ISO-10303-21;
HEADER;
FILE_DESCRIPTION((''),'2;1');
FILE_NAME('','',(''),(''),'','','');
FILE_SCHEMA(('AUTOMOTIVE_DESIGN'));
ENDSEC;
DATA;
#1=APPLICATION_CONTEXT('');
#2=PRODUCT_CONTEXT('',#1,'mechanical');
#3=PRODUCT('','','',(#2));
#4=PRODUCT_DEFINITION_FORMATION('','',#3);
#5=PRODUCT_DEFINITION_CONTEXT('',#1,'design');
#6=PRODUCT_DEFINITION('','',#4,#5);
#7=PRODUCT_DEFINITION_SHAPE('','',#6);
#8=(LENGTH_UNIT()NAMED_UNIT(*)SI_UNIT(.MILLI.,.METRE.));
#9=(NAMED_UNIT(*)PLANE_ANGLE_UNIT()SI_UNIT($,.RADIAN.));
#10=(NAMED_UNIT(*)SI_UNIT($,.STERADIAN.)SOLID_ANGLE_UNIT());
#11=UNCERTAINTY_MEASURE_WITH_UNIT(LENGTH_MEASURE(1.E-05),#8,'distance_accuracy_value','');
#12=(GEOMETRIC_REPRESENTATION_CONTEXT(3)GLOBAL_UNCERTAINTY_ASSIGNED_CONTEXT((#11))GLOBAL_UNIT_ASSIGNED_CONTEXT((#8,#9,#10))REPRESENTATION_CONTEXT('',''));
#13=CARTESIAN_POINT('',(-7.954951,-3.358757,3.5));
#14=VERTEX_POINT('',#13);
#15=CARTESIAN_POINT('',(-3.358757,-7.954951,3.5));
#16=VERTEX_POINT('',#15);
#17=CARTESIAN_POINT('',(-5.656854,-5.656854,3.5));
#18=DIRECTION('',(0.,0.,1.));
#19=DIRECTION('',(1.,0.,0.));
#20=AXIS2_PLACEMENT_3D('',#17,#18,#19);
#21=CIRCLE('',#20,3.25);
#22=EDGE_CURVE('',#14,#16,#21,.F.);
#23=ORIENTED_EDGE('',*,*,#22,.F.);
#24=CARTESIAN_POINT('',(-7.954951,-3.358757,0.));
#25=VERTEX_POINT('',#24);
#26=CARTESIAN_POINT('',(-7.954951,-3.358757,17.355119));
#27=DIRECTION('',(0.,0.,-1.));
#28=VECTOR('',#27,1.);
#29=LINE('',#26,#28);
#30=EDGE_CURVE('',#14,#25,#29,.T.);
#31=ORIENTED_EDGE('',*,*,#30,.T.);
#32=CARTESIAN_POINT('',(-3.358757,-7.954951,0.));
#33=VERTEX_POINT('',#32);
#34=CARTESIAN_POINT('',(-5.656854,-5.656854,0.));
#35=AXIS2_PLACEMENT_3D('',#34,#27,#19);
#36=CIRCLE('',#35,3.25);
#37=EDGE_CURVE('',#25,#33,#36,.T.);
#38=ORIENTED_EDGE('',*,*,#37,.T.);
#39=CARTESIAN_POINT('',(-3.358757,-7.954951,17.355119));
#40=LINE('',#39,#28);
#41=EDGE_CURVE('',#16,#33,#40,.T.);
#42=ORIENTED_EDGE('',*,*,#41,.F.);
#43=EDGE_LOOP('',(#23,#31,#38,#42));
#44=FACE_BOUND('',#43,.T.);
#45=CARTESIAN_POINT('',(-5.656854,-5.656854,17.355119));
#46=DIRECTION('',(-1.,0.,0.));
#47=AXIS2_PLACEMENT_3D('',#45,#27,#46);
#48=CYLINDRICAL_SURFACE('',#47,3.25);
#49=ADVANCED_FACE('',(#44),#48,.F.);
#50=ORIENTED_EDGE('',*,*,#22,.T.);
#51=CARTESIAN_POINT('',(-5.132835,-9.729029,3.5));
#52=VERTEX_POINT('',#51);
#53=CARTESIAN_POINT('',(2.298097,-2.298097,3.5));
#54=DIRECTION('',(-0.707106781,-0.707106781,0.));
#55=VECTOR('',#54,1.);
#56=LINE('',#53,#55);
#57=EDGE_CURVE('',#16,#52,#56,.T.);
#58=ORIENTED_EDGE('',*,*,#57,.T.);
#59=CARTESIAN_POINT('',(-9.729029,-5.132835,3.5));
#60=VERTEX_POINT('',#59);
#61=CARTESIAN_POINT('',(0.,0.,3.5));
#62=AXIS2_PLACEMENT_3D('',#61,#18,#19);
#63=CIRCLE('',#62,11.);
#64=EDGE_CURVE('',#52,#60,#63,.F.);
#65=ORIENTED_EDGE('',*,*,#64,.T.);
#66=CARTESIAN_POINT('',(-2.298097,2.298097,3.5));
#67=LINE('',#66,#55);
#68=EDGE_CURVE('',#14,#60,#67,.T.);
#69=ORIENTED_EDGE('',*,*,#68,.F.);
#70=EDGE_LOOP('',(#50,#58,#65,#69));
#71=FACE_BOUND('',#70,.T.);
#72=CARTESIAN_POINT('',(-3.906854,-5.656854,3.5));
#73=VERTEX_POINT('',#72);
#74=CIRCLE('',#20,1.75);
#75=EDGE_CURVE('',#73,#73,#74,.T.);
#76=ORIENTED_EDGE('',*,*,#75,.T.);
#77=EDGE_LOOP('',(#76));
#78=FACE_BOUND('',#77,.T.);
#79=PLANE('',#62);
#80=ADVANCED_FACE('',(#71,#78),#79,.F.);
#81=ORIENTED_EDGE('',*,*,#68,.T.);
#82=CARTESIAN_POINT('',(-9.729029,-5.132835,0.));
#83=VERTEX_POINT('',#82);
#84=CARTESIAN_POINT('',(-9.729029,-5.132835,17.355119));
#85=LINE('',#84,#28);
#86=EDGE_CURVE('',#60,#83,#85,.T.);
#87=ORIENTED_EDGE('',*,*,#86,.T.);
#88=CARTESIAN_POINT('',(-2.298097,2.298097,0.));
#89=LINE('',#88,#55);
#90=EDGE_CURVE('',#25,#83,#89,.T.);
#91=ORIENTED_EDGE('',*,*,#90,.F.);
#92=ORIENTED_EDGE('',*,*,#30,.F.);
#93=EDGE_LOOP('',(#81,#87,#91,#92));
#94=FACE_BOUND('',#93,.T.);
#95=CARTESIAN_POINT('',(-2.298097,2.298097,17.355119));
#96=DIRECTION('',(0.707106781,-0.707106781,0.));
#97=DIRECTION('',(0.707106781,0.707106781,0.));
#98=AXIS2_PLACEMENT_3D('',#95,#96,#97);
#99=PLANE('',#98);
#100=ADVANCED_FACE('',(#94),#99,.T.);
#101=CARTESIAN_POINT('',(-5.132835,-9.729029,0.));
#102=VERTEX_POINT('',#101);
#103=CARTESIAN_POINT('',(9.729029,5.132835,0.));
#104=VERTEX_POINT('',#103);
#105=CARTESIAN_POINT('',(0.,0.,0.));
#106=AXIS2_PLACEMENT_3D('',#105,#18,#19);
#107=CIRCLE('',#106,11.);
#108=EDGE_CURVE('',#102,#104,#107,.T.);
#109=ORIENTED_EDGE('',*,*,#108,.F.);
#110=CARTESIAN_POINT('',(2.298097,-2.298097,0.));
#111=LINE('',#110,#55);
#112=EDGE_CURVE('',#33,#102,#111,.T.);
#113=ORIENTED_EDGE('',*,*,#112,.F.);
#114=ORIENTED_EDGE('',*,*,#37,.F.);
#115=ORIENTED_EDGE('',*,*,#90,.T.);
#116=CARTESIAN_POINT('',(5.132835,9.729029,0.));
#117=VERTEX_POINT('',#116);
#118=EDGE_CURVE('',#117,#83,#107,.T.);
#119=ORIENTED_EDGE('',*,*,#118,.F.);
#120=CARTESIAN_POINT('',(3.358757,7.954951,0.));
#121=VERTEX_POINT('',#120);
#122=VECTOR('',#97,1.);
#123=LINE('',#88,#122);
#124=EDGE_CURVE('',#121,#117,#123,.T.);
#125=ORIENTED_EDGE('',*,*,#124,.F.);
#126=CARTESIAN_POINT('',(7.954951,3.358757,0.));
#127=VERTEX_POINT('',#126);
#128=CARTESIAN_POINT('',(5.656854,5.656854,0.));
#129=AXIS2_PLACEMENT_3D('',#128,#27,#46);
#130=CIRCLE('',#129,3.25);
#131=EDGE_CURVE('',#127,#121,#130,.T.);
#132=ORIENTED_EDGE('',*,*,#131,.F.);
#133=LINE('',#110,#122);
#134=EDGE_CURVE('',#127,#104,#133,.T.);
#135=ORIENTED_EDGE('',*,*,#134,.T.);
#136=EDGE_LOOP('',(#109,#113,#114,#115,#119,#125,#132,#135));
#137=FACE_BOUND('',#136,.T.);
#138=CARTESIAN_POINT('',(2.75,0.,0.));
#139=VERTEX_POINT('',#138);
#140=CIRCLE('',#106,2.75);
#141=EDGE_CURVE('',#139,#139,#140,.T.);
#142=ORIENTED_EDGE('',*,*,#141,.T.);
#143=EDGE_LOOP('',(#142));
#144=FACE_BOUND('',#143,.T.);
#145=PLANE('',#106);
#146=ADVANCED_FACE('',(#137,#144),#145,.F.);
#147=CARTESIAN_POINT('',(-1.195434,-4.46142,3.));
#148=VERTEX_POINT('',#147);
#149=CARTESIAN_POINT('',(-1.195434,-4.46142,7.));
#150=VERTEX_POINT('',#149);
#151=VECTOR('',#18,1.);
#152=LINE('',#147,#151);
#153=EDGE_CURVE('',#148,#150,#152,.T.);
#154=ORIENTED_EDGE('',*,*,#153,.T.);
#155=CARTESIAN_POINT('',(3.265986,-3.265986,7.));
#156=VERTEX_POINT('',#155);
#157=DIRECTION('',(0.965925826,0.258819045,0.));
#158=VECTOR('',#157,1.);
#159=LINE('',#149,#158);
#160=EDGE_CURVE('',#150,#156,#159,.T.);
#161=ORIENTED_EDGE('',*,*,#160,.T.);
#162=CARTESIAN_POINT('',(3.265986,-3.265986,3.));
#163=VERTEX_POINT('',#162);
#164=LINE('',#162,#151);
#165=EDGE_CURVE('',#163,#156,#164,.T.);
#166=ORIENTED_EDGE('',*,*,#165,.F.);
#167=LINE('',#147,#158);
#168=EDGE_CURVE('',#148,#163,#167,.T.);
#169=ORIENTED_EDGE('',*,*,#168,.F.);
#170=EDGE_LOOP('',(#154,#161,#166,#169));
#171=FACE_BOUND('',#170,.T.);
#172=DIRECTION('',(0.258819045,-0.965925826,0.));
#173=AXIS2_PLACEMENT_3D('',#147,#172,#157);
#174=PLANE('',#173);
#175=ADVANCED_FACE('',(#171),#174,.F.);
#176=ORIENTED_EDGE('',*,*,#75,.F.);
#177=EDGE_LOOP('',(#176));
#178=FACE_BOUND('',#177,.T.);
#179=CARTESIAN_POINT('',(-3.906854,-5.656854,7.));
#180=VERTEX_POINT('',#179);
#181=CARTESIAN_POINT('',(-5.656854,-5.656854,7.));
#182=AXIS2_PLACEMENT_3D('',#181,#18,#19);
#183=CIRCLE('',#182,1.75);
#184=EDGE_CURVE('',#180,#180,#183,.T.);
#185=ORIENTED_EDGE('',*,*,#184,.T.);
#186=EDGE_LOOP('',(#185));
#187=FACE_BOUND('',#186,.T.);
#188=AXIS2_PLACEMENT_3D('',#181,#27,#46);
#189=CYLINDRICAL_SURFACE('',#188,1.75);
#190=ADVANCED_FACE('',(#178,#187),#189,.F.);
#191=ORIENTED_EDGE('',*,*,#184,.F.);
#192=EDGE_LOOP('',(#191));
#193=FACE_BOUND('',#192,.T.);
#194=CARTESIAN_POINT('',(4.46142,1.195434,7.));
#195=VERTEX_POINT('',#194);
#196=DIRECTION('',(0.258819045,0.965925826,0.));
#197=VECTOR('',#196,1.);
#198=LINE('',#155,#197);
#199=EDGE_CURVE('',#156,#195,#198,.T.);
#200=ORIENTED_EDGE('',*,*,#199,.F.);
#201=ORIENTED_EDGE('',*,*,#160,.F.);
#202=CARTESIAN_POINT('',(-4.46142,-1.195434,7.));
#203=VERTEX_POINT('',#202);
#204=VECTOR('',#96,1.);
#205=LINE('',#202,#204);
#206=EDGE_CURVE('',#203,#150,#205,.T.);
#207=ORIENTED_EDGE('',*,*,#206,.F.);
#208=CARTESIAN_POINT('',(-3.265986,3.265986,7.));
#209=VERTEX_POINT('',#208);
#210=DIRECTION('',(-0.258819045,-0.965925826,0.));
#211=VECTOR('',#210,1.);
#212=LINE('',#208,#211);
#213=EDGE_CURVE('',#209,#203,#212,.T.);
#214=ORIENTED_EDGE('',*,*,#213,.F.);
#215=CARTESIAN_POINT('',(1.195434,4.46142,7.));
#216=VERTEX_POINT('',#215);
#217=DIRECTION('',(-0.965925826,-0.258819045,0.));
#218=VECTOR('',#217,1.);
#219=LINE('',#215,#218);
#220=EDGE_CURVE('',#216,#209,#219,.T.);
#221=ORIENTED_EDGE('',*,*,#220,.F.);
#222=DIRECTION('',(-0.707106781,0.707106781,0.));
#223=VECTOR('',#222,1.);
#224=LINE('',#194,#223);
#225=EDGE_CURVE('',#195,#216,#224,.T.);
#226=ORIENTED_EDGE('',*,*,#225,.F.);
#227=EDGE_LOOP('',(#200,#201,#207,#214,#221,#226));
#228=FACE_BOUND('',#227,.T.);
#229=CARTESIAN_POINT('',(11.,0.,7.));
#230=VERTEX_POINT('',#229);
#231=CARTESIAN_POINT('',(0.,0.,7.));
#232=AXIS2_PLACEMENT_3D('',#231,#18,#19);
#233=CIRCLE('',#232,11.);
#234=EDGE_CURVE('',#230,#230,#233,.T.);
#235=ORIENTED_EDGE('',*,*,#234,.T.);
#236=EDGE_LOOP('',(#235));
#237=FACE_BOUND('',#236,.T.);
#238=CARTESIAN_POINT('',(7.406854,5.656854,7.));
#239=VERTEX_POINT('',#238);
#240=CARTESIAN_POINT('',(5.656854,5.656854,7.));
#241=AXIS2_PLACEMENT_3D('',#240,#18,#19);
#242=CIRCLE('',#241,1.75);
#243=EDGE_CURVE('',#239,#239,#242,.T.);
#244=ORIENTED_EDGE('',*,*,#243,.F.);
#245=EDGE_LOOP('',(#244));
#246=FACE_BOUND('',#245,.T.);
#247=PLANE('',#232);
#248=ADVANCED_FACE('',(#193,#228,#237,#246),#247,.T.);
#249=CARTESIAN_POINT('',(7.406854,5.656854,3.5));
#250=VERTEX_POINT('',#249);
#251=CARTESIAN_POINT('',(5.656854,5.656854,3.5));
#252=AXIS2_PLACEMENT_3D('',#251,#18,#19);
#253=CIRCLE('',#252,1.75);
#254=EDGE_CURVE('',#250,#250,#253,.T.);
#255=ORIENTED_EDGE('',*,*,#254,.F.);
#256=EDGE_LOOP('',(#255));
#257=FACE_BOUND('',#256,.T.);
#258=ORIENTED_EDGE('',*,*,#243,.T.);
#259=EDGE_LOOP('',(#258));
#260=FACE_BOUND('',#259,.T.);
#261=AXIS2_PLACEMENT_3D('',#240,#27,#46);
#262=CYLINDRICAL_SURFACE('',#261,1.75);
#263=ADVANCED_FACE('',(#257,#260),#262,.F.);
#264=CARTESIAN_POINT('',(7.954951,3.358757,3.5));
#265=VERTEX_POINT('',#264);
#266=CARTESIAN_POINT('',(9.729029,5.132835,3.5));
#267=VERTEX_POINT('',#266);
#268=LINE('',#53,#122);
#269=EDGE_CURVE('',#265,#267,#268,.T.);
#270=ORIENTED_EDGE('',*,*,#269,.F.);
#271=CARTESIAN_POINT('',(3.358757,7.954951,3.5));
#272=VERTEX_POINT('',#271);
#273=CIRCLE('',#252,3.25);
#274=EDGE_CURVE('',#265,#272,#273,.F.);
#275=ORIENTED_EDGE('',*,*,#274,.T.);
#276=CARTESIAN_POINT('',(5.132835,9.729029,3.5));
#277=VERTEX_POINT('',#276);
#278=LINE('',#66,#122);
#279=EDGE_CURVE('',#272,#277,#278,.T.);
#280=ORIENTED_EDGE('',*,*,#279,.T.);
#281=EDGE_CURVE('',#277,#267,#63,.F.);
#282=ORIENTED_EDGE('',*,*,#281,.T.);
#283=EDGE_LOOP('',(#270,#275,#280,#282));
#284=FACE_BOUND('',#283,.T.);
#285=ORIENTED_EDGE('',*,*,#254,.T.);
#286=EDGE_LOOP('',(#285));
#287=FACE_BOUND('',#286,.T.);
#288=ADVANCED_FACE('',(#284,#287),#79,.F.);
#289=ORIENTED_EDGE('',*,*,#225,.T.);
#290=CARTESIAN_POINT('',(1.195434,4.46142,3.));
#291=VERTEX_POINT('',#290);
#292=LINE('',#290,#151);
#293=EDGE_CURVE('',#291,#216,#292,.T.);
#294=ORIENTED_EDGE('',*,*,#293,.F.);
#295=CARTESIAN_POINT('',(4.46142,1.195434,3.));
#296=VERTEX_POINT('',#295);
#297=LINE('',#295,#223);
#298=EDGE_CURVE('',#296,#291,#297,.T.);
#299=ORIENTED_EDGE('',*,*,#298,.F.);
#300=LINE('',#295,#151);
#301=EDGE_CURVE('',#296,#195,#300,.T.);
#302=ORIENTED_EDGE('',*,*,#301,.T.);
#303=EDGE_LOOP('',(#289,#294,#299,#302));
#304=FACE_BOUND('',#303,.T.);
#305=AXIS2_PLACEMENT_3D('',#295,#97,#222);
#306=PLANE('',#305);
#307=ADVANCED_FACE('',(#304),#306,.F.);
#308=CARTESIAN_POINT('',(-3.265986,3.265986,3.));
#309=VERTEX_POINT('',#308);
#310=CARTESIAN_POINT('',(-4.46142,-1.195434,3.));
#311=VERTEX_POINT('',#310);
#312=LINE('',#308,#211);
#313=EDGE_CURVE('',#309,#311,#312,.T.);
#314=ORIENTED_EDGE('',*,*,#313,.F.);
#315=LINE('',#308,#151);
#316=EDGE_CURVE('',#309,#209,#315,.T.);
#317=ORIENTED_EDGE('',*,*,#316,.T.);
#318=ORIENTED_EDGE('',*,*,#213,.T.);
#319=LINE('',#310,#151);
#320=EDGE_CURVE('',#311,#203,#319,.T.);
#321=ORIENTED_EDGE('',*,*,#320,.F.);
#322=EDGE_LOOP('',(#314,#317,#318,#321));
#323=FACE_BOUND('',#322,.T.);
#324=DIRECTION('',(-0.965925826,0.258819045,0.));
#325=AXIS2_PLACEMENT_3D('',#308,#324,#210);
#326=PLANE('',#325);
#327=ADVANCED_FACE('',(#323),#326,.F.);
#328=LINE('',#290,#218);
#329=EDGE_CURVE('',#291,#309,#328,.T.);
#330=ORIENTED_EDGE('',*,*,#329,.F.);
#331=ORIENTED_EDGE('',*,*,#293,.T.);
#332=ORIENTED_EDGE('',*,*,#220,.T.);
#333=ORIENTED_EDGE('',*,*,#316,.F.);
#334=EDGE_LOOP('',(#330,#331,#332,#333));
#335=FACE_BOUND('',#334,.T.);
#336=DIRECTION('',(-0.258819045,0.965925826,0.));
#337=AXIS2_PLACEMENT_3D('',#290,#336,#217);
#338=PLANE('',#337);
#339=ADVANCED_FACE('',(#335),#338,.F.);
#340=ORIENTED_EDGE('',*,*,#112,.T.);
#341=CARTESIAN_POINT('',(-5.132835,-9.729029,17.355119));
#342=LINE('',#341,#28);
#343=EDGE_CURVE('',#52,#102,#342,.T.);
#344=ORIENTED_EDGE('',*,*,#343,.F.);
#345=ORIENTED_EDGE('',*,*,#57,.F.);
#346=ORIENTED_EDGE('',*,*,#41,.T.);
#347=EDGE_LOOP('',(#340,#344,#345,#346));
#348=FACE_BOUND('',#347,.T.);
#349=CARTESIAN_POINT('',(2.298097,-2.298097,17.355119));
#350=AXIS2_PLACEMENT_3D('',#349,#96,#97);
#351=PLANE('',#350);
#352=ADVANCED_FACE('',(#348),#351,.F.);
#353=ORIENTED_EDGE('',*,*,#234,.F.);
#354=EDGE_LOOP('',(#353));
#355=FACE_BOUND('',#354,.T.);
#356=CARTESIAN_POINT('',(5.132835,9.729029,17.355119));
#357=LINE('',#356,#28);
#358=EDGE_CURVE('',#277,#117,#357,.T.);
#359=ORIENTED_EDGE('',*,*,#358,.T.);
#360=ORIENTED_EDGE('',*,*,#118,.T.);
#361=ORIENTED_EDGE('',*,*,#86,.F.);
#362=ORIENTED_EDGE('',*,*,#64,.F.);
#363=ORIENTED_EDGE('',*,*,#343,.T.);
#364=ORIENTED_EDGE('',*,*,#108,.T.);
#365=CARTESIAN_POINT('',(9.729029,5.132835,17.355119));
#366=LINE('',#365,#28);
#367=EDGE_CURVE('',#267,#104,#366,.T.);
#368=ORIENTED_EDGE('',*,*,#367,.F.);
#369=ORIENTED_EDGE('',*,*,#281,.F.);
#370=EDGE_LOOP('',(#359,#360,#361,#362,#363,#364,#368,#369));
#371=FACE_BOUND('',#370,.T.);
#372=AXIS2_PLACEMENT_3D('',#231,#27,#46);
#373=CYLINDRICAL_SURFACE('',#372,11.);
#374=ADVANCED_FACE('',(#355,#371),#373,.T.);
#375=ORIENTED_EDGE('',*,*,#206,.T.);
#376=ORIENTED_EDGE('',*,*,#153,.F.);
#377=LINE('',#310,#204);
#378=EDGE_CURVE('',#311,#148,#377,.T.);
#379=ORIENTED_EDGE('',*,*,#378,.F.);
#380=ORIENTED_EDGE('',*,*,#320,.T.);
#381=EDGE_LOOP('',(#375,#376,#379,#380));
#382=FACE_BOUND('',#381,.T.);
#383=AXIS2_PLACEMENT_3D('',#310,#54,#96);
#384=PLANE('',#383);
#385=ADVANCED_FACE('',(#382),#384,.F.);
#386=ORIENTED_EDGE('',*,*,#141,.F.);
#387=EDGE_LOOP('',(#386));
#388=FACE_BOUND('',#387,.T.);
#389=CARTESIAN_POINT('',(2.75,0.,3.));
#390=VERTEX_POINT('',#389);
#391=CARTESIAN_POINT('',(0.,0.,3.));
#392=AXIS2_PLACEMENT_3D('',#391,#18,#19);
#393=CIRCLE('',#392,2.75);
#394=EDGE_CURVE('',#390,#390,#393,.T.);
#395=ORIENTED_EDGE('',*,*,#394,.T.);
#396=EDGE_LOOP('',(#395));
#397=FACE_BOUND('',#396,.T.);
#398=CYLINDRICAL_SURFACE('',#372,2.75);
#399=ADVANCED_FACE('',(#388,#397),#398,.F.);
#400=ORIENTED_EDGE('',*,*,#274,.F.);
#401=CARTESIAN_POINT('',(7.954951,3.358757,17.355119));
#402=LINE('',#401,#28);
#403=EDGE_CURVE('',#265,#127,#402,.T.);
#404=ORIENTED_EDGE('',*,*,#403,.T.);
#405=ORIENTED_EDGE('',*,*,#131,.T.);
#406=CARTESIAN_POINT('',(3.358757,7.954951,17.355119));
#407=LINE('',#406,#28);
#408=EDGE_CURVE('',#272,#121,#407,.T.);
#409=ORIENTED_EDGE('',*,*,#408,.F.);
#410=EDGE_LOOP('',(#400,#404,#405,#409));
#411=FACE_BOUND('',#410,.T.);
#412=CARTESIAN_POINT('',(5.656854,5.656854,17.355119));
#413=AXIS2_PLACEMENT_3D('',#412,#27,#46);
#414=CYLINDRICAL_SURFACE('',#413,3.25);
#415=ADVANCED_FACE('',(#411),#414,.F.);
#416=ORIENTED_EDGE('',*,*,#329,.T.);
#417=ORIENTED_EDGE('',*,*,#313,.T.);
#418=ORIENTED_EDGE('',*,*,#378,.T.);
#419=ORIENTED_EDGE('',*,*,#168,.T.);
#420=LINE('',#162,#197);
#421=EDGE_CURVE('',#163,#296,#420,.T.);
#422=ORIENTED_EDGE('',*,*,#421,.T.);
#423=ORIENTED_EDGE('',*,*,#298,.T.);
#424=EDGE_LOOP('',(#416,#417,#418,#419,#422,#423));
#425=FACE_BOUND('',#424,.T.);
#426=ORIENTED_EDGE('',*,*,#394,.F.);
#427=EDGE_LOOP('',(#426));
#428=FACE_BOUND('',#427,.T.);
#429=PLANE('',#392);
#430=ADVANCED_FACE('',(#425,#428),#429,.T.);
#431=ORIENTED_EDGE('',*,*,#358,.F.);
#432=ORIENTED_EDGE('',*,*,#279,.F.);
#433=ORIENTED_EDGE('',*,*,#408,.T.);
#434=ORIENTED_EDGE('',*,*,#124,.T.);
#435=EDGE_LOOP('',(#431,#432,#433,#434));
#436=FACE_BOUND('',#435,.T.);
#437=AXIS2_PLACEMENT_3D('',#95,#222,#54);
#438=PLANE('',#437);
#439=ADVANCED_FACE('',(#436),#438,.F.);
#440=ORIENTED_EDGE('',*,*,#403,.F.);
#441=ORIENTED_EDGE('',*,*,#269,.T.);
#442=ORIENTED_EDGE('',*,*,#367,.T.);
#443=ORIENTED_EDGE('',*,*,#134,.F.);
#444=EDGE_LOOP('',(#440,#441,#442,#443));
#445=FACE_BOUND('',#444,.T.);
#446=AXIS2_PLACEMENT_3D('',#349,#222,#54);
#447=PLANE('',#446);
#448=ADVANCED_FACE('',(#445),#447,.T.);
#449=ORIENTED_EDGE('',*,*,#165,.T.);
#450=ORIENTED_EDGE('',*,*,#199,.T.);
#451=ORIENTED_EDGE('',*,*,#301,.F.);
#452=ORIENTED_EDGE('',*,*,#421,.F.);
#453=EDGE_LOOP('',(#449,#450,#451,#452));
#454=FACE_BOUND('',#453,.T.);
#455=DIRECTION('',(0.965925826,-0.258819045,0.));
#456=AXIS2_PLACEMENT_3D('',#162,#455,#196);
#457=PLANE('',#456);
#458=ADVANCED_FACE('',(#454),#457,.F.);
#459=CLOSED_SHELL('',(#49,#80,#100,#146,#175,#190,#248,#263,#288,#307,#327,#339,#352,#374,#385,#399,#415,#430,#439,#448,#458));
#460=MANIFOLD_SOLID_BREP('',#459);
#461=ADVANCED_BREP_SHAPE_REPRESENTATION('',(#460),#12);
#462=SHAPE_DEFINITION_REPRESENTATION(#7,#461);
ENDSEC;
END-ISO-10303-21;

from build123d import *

# Parameters (mm, degrees)
ESBO_O1_R                = 11
ESBO_O1_R_2              = 1.75
ESBO_O1_R_3              = 2.75
RESSALTO_EXTRUS_O1_DEPTH = 7
CORTE_EXTRUS_O5_DEPTH    = 4
ESBO_O12_R               = 1.75
CORTE_EXTRUS_O6_DEPTH    = 3.5
PADR_OCIRCULAR1_COUNT    = 2


with BuildPart() as part:
    # Esboço1 → Ressalto-extrusão1 (new body)
    with BuildSketch(Plane.XY):
        Circle(ESBO_O1_R)
        with Locations((5.656854249, 5.656854249)):
            Circle(ESBO_O1_R_2, mode=Mode.SUBTRACT)
        with Locations((-5.656854249, -5.656854249)):
            Circle(ESBO_O1_R_2, mode=Mode.SUBTRACT)
        Circle(ESBO_O1_R_3, mode=Mode.SUBTRACT)
    extrude(amount=RESSALTO_EXTRUS_O1_DEPTH)

    # Esboço10 → Corte-extrusão5 (cut)
    with BuildSketch(Plane.XY.offset(7)):
        Polygon((-1.195433963, -4.461420287), (3.265986324, -3.265986324), (4.461420287, 1.195433963), (1.195433963, 4.461420287), (-3.265986324, 3.265986324), (-4.461420287, -1.195433963), align=None)
    extrude(amount=-CORTE_EXTRUS_O5_DEPTH, mode=Mode.SUBTRACT)

    # Esboço12 → Corte-extrusão6 (cut)
    with BuildSketch(Plane(origin=(0, 0, 0), x_dir=(-1, 0, 0), z_dir=(0, 0, -1))):
        with BuildLine():
            ThreePointArc((-7.954951288, 3.358757211), (-3.358757211, 3.358757211), (-3.358757211, 7.954951288))
            Line((-3.358757211, 7.954951288), (-5.132834935, 9.729029013))
            ThreePointArc((-5.132834935, 9.729029013), (-7.778174593, 7.778174593), (-9.729029013, 5.132834935))
            Line((-9.729029013, 5.132834935), (-7.954951288, 3.358757211))
        make_face()
        with Locations(Location((-5.656854249, 5.656854249, 0), (0, 0, 180))):
            Circle(ESBO_O12_R, mode=Mode.SUBTRACT)
    corte_extrus_o6 = extrude(amount=-CORTE_EXTRUS_O6_DEPTH, mode=Mode.SUBTRACT)

    # PadrãoCircular1: Corte-extrusão6 ×2 about axis
    padr_ocircular1_axis = Axis((0, 0, 0), (0, 0, 1))
    for i in range(1, PADR_OCIRCULAR1_COUNT):
        add(corte_extrus_o6.rotate(padr_ocircular1_axis, i * 360 / PADR_OCIRCULAR1_COUNT), mode=Mode.SUBTRACT)


solid = part.part
